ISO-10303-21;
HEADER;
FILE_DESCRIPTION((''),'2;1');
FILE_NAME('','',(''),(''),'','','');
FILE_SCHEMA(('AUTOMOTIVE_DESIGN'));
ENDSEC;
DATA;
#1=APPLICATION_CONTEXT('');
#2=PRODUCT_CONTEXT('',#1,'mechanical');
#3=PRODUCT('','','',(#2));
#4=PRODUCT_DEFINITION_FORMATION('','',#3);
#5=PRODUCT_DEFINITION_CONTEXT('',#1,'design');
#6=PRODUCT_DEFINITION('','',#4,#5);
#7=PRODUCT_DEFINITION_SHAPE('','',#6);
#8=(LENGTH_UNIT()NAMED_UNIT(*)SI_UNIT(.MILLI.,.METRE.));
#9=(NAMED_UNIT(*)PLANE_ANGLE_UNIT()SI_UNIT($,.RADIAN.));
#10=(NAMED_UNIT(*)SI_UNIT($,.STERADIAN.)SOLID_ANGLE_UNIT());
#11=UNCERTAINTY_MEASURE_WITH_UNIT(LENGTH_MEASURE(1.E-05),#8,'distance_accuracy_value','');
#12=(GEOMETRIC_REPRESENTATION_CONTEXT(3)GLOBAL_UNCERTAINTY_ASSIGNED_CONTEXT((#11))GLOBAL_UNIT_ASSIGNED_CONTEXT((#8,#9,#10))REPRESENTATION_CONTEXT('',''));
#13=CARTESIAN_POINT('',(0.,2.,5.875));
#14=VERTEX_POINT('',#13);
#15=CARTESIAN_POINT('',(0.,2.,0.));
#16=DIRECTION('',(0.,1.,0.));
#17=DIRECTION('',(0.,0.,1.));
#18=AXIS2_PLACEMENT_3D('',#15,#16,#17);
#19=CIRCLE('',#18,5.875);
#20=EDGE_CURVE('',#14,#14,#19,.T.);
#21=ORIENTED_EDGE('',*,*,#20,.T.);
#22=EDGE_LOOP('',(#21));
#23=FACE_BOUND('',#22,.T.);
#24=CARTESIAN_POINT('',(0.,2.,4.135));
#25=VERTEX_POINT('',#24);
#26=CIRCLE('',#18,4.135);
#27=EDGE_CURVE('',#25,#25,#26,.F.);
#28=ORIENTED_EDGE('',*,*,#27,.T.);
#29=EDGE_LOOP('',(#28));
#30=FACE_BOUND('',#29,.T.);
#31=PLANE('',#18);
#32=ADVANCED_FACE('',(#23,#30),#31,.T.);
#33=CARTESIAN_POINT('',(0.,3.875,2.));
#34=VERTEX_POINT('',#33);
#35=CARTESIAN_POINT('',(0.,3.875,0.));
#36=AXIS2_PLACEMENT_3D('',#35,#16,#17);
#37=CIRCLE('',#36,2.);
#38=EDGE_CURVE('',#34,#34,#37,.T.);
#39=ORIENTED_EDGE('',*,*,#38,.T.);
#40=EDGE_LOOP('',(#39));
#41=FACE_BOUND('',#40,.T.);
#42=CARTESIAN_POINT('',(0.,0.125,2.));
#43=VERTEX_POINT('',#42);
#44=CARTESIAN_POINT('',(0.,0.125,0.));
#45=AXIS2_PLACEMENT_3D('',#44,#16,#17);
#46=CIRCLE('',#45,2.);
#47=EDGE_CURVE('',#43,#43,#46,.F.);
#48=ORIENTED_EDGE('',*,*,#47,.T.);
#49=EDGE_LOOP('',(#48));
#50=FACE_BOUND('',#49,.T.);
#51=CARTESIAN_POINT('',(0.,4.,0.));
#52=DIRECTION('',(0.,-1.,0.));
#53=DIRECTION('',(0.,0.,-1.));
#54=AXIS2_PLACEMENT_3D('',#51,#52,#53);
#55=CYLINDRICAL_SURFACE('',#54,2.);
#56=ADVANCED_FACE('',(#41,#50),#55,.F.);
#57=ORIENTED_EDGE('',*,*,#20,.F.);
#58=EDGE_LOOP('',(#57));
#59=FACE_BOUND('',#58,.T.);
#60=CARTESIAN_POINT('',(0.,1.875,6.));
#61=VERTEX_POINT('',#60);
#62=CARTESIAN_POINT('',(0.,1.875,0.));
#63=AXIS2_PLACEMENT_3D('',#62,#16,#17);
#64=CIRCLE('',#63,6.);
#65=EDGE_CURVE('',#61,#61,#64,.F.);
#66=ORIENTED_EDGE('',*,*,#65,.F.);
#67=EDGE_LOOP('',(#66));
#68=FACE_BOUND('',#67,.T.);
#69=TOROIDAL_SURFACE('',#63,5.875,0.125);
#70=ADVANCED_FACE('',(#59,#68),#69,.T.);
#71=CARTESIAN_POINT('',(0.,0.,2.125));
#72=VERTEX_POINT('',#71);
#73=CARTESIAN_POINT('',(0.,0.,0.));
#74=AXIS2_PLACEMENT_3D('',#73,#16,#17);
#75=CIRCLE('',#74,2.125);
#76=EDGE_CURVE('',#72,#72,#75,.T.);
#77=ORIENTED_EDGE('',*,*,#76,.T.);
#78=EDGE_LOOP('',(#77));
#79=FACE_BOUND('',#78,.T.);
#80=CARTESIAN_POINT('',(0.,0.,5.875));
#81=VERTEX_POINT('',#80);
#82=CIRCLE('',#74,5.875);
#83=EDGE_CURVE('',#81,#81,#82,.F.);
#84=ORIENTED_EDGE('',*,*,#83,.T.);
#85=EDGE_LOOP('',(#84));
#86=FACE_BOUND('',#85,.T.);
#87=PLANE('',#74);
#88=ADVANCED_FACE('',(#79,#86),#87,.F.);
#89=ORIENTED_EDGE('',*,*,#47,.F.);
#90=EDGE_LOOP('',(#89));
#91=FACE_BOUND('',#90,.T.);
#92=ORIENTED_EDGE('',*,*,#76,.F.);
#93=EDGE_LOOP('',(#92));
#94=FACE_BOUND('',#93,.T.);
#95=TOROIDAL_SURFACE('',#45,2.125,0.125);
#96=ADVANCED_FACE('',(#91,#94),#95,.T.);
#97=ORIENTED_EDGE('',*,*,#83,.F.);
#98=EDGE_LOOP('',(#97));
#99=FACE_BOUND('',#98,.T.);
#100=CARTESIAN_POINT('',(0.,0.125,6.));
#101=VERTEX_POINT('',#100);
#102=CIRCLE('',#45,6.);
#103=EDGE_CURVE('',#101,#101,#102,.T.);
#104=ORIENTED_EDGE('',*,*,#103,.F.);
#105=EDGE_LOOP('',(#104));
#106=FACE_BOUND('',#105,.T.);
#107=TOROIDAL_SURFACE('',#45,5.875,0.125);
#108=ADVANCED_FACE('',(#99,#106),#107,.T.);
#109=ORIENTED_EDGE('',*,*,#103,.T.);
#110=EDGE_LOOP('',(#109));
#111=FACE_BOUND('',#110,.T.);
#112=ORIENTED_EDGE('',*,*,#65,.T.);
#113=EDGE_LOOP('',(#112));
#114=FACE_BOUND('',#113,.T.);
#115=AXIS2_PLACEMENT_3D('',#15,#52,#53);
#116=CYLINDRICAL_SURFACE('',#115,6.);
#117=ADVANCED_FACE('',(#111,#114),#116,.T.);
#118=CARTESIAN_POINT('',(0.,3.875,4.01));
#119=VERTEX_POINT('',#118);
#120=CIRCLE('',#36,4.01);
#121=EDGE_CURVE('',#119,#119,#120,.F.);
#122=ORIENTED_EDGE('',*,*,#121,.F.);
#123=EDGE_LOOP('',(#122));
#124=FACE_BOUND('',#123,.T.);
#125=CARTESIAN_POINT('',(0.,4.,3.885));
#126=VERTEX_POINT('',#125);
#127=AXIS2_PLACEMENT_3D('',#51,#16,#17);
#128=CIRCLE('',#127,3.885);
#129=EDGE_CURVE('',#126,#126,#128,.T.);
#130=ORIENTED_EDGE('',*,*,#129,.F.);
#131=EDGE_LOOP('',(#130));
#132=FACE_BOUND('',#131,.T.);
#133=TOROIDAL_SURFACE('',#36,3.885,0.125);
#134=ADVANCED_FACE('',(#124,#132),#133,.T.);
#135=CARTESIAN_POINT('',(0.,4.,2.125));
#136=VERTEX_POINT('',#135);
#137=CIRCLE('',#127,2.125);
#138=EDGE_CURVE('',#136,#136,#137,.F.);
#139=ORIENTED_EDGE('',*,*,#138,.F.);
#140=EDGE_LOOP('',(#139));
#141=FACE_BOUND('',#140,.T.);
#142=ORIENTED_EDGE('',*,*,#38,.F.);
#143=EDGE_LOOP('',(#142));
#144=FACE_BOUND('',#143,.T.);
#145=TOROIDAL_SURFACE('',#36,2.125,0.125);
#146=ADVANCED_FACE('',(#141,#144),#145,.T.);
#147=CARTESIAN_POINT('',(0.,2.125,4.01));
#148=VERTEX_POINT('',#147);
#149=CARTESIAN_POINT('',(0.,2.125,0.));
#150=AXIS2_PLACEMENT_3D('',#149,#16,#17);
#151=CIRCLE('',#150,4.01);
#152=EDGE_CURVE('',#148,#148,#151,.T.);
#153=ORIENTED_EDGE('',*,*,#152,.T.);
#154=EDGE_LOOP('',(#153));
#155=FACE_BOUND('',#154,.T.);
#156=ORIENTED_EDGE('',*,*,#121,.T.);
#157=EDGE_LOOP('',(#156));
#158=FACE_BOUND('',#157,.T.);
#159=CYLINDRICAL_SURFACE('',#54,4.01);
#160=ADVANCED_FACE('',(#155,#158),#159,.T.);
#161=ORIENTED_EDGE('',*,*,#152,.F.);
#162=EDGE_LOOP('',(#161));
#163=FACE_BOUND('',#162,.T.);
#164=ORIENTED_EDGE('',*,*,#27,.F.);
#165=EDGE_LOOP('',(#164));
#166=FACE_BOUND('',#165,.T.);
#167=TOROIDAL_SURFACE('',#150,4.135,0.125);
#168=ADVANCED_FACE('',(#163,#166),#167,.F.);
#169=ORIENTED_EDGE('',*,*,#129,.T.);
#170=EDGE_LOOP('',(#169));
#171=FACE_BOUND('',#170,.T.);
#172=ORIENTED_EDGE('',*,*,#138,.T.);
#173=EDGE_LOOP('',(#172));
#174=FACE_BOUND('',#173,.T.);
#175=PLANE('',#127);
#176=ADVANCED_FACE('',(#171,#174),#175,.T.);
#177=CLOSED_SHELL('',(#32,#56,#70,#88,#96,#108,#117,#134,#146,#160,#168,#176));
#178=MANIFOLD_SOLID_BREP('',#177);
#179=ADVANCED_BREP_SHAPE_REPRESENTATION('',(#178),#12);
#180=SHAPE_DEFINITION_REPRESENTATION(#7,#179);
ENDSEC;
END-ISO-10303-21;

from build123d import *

# Parameters (mm, degrees)
SKETCH3_R           = 4.01
SKETCH3_R_2         = 2
BOSS_EXTRUDE1_DEPTH = 4
SKETCH4_R           = 6
SKETCH4_R_2         = 4.01
BOSS_EXTRUDE2_DEPTH = 2
FILLET1_R           = 0.125


with BuildPart() as part:
    # Sketch3 → Boss-Extrude1 (new body)
    with BuildSketch(Plane(origin=(0, 0, 0), x_dir=(1, 0, 0), z_dir=(0, 1, 0))):
        with Locations(Location((0, 0, 0), (0, 0, 270))):
            Circle(SKETCH3_R)
        with Locations(Location((0, 0, 0), (0, 0, 270))):
            Circle(SKETCH3_R_2, mode=Mode.SUBTRACT)
    extrude(amount=BOSS_EXTRUDE1_DEPTH)

    # Sketch4 → Boss-Extrude2 (add)
    with BuildSketch(Plane(origin=(0, 0, 0), x_dir=(1, 0, 0), z_dir=(0, 1, 0))):
        with Locations(Location((0, 0, 0), (0, 0, 270))):
            Circle(SKETCH4_R)
        with Locations(Location((0, 0, 0), (0, 0, 270))):
            Circle(SKETCH4_R_2, mode=Mode.SUBTRACT)
    extrude(amount=BOSS_EXTRUDE2_DEPTH)

    # Fillet1
    fillet1_edges = [part.edges().sort_by_distance(p)[0] for p in [
        (0, 0, -6),
        (0, 2, -4.01),
        (0, 4, -4.01),
        (0, 0, -2),
        (0, 4, -2),
        (0, 2, -6),
    ]]
    fillet(fillet1_edges, radius=FILLET1_R)


solid = part.part
